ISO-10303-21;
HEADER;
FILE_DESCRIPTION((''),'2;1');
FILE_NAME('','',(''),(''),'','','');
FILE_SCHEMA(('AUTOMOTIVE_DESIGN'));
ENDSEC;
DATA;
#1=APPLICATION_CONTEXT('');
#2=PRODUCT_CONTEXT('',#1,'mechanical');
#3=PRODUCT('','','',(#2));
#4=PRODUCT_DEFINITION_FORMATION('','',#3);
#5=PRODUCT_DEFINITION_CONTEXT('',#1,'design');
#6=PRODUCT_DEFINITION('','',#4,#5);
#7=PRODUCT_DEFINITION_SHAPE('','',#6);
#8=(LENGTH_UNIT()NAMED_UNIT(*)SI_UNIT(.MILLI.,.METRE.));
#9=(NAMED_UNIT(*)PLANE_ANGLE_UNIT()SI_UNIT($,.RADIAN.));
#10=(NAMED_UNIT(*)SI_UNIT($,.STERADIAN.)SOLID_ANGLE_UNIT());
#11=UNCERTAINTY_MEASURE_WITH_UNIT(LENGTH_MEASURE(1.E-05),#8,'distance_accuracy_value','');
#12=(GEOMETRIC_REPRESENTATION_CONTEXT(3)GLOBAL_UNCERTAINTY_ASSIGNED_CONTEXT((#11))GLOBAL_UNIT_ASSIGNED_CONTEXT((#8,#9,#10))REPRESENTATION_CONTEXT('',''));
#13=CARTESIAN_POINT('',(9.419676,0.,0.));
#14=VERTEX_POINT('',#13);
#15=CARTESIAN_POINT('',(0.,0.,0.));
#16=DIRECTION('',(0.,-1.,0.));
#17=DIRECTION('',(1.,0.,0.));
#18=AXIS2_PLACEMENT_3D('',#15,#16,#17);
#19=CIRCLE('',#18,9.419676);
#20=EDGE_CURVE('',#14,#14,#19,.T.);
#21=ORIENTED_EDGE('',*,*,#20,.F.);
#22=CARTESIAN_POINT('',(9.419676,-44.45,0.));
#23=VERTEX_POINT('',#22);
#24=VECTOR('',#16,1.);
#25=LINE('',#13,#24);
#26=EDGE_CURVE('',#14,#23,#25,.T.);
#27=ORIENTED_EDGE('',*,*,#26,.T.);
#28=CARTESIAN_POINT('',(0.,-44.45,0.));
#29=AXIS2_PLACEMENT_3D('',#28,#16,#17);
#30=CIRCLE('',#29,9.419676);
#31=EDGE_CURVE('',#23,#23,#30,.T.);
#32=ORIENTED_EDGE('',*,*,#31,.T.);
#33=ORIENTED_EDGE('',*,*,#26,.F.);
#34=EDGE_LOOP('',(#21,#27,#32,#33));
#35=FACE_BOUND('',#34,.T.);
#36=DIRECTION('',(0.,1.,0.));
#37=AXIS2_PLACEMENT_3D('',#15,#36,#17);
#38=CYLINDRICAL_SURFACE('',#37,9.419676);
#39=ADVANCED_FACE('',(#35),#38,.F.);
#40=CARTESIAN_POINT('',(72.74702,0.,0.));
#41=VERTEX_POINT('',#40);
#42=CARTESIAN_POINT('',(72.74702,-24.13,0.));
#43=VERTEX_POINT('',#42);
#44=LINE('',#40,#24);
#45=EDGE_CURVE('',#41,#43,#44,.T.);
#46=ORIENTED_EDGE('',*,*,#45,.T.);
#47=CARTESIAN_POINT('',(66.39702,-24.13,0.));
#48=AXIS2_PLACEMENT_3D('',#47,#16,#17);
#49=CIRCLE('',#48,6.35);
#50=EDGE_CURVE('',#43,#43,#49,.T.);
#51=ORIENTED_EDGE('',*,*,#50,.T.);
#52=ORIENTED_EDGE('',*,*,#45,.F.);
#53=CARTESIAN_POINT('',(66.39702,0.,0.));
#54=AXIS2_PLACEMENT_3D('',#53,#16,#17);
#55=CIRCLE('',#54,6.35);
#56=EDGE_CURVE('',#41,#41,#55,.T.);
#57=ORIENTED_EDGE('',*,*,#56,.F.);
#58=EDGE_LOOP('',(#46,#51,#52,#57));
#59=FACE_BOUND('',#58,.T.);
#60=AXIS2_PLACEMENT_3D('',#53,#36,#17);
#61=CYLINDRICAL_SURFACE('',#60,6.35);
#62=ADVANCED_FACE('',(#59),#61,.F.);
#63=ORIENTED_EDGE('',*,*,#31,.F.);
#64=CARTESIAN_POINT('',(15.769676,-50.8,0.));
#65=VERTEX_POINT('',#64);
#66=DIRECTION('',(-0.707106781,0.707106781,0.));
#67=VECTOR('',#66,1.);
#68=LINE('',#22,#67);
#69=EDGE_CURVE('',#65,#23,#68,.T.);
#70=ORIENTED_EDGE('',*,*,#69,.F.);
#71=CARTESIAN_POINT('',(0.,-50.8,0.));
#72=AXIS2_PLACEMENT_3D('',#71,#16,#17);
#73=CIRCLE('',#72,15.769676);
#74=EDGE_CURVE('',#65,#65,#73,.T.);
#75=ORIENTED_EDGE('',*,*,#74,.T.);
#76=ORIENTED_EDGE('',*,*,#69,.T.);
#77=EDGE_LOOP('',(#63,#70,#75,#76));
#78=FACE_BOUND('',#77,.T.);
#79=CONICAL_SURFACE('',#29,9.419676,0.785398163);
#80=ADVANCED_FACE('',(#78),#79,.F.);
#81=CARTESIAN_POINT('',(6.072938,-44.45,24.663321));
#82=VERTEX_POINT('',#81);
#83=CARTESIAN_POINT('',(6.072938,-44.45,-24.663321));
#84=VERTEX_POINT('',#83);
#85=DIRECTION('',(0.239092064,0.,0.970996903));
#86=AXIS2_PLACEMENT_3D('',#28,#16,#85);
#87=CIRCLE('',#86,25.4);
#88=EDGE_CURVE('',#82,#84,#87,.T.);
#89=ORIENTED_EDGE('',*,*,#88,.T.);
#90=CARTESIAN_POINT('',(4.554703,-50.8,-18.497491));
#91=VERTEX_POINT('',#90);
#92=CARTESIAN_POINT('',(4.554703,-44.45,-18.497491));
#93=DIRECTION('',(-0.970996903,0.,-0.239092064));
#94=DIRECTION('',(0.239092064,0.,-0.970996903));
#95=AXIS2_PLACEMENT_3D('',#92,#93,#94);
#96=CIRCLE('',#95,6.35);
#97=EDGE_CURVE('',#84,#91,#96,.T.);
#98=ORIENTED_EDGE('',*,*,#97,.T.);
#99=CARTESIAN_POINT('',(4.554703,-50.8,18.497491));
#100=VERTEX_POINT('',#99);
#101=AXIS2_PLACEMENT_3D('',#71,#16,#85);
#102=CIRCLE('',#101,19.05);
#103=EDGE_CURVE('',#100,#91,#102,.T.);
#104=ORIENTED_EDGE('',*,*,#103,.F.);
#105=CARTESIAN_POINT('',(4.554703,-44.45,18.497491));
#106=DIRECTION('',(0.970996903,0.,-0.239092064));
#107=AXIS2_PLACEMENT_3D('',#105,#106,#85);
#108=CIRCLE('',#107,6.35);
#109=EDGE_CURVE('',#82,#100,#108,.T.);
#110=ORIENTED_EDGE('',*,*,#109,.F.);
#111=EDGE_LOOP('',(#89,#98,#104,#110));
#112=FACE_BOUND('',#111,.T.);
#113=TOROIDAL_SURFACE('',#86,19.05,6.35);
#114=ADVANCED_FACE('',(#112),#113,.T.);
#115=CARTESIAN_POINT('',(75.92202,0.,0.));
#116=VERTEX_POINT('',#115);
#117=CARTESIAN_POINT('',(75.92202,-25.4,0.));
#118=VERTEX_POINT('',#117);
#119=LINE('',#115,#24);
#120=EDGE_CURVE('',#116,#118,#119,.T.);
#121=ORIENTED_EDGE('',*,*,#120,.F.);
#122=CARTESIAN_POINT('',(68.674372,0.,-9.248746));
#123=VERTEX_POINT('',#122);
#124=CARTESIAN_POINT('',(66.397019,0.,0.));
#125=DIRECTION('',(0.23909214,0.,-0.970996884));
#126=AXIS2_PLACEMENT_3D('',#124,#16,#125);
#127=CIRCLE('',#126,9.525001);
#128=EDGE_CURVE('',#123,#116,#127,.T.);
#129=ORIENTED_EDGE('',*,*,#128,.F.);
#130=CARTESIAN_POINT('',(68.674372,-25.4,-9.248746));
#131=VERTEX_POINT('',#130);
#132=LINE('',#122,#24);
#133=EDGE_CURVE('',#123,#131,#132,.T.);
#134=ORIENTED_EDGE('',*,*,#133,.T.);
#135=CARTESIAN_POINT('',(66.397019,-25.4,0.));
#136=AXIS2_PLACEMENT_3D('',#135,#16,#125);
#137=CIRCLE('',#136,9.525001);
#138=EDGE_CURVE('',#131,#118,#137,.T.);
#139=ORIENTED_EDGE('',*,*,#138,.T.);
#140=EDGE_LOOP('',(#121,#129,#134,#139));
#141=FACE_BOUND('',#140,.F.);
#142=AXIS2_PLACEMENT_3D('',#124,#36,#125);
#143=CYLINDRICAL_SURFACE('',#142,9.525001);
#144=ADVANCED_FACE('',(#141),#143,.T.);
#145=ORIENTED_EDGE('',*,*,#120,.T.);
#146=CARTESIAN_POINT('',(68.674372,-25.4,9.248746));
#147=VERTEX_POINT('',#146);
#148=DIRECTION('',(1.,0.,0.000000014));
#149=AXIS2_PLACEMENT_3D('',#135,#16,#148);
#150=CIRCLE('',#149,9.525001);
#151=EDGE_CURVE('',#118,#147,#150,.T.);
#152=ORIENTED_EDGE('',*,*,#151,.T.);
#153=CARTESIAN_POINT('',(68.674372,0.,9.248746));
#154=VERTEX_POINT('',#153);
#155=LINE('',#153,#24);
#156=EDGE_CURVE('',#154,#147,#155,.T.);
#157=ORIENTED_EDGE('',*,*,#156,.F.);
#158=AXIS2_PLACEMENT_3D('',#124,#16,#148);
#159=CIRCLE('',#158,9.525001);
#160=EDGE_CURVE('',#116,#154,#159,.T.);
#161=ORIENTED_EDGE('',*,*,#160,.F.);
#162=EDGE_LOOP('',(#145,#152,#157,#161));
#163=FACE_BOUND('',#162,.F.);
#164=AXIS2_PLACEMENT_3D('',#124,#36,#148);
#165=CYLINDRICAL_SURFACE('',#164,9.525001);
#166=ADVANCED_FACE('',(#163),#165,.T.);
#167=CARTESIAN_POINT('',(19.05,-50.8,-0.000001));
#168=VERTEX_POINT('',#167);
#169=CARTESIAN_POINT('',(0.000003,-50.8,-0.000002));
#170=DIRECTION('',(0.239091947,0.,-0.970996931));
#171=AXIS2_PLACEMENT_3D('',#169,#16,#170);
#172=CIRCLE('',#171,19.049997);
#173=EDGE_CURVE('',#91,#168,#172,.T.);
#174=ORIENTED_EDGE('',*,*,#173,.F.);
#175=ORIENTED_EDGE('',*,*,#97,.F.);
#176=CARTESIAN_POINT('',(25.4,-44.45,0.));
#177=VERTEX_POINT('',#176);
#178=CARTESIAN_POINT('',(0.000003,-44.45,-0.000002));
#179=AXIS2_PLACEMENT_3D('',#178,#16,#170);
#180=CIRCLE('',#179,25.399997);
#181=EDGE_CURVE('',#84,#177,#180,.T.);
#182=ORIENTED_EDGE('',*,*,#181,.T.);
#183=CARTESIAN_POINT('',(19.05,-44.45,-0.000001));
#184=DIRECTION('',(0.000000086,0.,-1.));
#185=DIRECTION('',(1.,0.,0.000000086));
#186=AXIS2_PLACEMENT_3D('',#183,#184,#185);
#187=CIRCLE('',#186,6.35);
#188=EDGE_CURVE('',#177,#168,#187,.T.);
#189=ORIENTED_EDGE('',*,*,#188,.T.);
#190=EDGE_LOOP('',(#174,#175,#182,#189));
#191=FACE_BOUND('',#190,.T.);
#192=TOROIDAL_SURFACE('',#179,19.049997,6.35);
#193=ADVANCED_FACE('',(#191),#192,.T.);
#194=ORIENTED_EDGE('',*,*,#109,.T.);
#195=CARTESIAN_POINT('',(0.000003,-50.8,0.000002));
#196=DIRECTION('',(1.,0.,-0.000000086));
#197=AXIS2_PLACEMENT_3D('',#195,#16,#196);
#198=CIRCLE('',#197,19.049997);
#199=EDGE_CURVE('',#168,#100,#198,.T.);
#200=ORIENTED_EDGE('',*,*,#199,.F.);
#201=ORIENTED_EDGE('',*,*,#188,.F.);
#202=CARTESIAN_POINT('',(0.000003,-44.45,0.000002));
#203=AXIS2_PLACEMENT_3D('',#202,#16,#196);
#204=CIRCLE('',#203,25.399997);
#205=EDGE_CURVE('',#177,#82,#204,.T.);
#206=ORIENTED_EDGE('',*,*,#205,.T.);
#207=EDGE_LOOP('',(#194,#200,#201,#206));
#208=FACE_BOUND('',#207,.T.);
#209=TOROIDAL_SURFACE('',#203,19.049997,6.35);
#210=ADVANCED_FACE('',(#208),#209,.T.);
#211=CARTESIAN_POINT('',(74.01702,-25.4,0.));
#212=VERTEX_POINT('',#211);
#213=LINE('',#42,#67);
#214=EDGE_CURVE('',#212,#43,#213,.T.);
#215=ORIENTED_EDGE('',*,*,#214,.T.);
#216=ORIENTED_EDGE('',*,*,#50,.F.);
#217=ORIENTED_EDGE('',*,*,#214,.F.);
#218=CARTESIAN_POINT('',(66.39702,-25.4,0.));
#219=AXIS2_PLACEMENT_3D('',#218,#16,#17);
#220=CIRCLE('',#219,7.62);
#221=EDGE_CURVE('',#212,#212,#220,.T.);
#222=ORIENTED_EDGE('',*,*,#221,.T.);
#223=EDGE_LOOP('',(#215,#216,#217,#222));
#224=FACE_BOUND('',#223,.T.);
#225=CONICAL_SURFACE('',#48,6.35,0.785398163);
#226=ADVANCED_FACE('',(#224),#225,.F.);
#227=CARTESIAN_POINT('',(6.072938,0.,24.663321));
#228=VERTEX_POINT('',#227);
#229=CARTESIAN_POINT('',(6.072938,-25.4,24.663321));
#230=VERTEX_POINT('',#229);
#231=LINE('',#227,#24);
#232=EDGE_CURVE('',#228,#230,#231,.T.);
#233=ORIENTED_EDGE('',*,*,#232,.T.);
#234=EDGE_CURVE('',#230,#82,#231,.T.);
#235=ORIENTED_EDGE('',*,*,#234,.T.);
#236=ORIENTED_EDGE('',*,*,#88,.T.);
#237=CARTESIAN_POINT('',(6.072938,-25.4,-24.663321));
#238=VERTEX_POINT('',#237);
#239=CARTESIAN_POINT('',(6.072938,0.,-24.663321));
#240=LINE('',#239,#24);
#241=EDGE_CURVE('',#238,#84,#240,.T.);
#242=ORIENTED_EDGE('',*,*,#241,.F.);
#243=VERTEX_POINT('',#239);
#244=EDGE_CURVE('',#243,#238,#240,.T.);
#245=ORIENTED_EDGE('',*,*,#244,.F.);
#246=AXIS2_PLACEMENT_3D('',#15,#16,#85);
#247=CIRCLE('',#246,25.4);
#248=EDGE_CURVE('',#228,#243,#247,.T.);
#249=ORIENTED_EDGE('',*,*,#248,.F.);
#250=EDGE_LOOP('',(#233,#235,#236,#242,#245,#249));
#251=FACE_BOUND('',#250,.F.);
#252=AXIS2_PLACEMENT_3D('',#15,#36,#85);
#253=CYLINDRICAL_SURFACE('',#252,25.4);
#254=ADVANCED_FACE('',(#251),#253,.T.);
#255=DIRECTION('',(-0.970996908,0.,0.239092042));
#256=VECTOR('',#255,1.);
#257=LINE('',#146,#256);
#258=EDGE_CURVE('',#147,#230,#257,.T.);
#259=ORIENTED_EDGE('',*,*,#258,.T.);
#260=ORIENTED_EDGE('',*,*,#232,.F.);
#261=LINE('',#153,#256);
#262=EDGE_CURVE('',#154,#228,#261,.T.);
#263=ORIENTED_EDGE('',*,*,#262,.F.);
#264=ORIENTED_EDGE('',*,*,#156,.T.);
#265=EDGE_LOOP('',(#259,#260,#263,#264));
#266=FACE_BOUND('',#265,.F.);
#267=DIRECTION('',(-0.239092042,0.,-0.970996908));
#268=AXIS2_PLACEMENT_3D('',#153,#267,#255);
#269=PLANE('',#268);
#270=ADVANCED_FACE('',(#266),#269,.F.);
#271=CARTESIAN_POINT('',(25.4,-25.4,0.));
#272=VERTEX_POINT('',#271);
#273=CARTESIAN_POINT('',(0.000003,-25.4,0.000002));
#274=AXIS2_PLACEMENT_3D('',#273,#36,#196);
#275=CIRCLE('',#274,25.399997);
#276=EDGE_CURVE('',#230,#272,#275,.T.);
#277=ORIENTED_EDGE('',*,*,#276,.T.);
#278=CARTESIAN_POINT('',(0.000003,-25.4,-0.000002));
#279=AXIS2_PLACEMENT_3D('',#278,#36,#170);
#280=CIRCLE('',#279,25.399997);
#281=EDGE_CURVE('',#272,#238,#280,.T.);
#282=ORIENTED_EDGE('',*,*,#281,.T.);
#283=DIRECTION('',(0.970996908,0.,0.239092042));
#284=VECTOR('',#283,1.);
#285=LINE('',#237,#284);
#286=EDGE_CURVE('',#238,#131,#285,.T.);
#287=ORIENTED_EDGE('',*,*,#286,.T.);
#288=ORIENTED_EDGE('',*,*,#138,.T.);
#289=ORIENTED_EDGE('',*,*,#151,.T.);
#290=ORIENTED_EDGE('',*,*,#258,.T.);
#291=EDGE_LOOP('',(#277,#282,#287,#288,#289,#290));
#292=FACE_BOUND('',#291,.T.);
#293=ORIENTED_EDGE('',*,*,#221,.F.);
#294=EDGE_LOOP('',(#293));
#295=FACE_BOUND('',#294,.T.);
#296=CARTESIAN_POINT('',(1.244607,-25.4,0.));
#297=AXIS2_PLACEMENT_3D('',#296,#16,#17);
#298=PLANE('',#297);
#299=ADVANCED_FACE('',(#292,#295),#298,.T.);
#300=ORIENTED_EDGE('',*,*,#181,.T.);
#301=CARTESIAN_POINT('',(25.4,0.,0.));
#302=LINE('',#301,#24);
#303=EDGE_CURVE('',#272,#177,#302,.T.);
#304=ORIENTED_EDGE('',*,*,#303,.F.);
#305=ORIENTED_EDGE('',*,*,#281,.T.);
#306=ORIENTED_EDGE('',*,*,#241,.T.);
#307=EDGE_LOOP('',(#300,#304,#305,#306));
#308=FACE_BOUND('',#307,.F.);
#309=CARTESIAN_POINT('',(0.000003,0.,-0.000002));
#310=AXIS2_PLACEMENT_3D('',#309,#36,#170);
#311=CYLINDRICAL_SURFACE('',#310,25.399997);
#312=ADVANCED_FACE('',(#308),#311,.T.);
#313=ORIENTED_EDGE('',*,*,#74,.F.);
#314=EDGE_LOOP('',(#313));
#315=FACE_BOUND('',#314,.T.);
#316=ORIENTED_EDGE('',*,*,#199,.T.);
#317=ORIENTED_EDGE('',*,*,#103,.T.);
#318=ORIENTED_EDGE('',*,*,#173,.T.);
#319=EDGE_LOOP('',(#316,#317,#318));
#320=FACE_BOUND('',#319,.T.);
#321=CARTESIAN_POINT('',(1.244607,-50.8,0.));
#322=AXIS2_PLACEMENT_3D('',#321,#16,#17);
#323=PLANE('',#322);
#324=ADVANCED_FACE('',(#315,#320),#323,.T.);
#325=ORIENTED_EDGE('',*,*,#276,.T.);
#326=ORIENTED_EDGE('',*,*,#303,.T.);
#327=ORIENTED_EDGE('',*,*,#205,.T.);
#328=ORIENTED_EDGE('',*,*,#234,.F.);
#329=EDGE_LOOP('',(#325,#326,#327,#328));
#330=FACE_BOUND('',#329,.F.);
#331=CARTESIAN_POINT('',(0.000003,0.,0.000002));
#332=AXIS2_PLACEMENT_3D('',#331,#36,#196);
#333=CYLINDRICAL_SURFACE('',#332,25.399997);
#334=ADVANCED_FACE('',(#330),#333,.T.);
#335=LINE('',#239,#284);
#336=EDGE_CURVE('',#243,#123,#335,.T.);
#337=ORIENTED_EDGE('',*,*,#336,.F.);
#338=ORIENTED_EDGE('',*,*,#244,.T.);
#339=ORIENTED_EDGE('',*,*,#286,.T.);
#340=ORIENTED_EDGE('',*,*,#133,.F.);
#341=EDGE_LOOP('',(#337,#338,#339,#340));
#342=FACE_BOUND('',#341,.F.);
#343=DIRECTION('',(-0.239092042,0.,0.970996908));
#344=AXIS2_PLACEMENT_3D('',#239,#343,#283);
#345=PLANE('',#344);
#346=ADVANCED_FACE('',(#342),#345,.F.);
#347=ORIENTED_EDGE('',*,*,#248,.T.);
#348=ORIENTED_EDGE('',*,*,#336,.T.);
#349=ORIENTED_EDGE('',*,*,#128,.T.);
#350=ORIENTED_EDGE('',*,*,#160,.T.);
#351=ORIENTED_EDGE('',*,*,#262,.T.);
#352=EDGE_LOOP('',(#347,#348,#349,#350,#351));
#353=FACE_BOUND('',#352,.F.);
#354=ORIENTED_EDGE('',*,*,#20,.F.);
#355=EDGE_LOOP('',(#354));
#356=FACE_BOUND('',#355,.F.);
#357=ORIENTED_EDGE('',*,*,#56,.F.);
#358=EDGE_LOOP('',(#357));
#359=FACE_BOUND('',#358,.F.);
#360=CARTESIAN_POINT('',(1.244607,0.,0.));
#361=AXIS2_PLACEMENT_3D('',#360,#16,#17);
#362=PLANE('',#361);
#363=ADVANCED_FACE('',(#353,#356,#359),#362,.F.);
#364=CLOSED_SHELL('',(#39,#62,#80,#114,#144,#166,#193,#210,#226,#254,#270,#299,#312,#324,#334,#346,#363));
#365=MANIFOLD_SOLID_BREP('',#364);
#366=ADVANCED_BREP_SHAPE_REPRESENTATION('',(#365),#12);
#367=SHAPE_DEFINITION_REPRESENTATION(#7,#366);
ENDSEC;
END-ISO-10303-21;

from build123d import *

# Parameters (mm, degrees)
F0_R     = 9.419676
F0_R_2   = 6.35
F1_DEPTH = 25.4
F2_DEPTH = 50.8
F3_R     = 6.35
F4_SIZE  = 6.35
F5_SIZE  = 1.27


with BuildPart() as f1:
    # F0 (on Front) → F1 (new body)
    with BuildSketch(Plane.XZ):
        with BuildLine():
            ThreePointArc((6.072938, -24.663321), (19.992657, -15.666962), (25.4, 0))
            ThreePointArc((25.4, 0), (19.992657, 15.666962), (6.072938, 24.663321))
            ThreePointArc((6.072938, 24.663321), (-25.4, 0), (6.072938, -24.663321))
        make_face()
        Circle(F0_R, mode=Mode.SUBTRACT)
        with BuildLine():
            ThreePointArc((6.072938, 24.663321), (19.992657, 15.666962), (25.4, 0))
            ThreePointArc((25.4, 0), (19.992657, -15.666962), (6.072938, -24.663321))
            Line((6.072938, -24.663321), (68.674372, -9.248746))
            ThreePointArc((68.674372, -9.248746), (56.87202, 0), (68.674372, 9.248746))
            Line((68.674372, 9.248746), (6.072938, 24.663321))
        make_face()
        with BuildLine():
            ThreePointArc((75.92202, 0), (73.894266, 5.875111), (68.674372, 9.248746))
            ThreePointArc((68.674372, 9.248746), (56.87202, 0), (68.674372, -9.248746))
            ThreePointArc((68.674372, -9.248746), (73.894266, -5.875111), (75.92202, 0))
        make_face()
        with Locations((66.39702, 0)):
            Circle(F0_R_2, mode=Mode.SUBTRACT)
    extrude(amount=F1_DEPTH)

    # F0 (on Front) → F2 (join)
    with BuildSketch(Plane.XZ):
        with BuildLine():
            ThreePointArc((6.072938, -24.663321), (19.992657, -15.666962), (25.4, 0))
            ThreePointArc((25.4, 0), (19.992657, 15.666962), (6.072938, 24.663321))
            ThreePointArc((6.072938, 24.663321), (-25.4, 0), (6.072938, -24.663321))
        make_face()
        Circle(F0_R, mode=Mode.SUBTRACT)
    extrude(amount=F2_DEPTH)

    # F3
    f3_edges = [f1.edges().sort_by_distance(p)[0] for p in [
        (-6.072938, -50.8, 24.663321),
    ]]
    fillet(f3_edges, radius=F3_R)

    # F4
    f4_edges = [f1.edges().sort_by_distance(p)[0] for p in [
        (-9.419676, -50.8, 0),
    ]]
    chamfer(f4_edges, length=F4_SIZE)

    # F5
    f5_edges = [f1.edges().sort_by_distance(p)[0] for p in [
        (60.04702, -25.4, 0),
    ]]
    chamfer(f5_edges, length=F5_SIZE)


solid = f1.part
